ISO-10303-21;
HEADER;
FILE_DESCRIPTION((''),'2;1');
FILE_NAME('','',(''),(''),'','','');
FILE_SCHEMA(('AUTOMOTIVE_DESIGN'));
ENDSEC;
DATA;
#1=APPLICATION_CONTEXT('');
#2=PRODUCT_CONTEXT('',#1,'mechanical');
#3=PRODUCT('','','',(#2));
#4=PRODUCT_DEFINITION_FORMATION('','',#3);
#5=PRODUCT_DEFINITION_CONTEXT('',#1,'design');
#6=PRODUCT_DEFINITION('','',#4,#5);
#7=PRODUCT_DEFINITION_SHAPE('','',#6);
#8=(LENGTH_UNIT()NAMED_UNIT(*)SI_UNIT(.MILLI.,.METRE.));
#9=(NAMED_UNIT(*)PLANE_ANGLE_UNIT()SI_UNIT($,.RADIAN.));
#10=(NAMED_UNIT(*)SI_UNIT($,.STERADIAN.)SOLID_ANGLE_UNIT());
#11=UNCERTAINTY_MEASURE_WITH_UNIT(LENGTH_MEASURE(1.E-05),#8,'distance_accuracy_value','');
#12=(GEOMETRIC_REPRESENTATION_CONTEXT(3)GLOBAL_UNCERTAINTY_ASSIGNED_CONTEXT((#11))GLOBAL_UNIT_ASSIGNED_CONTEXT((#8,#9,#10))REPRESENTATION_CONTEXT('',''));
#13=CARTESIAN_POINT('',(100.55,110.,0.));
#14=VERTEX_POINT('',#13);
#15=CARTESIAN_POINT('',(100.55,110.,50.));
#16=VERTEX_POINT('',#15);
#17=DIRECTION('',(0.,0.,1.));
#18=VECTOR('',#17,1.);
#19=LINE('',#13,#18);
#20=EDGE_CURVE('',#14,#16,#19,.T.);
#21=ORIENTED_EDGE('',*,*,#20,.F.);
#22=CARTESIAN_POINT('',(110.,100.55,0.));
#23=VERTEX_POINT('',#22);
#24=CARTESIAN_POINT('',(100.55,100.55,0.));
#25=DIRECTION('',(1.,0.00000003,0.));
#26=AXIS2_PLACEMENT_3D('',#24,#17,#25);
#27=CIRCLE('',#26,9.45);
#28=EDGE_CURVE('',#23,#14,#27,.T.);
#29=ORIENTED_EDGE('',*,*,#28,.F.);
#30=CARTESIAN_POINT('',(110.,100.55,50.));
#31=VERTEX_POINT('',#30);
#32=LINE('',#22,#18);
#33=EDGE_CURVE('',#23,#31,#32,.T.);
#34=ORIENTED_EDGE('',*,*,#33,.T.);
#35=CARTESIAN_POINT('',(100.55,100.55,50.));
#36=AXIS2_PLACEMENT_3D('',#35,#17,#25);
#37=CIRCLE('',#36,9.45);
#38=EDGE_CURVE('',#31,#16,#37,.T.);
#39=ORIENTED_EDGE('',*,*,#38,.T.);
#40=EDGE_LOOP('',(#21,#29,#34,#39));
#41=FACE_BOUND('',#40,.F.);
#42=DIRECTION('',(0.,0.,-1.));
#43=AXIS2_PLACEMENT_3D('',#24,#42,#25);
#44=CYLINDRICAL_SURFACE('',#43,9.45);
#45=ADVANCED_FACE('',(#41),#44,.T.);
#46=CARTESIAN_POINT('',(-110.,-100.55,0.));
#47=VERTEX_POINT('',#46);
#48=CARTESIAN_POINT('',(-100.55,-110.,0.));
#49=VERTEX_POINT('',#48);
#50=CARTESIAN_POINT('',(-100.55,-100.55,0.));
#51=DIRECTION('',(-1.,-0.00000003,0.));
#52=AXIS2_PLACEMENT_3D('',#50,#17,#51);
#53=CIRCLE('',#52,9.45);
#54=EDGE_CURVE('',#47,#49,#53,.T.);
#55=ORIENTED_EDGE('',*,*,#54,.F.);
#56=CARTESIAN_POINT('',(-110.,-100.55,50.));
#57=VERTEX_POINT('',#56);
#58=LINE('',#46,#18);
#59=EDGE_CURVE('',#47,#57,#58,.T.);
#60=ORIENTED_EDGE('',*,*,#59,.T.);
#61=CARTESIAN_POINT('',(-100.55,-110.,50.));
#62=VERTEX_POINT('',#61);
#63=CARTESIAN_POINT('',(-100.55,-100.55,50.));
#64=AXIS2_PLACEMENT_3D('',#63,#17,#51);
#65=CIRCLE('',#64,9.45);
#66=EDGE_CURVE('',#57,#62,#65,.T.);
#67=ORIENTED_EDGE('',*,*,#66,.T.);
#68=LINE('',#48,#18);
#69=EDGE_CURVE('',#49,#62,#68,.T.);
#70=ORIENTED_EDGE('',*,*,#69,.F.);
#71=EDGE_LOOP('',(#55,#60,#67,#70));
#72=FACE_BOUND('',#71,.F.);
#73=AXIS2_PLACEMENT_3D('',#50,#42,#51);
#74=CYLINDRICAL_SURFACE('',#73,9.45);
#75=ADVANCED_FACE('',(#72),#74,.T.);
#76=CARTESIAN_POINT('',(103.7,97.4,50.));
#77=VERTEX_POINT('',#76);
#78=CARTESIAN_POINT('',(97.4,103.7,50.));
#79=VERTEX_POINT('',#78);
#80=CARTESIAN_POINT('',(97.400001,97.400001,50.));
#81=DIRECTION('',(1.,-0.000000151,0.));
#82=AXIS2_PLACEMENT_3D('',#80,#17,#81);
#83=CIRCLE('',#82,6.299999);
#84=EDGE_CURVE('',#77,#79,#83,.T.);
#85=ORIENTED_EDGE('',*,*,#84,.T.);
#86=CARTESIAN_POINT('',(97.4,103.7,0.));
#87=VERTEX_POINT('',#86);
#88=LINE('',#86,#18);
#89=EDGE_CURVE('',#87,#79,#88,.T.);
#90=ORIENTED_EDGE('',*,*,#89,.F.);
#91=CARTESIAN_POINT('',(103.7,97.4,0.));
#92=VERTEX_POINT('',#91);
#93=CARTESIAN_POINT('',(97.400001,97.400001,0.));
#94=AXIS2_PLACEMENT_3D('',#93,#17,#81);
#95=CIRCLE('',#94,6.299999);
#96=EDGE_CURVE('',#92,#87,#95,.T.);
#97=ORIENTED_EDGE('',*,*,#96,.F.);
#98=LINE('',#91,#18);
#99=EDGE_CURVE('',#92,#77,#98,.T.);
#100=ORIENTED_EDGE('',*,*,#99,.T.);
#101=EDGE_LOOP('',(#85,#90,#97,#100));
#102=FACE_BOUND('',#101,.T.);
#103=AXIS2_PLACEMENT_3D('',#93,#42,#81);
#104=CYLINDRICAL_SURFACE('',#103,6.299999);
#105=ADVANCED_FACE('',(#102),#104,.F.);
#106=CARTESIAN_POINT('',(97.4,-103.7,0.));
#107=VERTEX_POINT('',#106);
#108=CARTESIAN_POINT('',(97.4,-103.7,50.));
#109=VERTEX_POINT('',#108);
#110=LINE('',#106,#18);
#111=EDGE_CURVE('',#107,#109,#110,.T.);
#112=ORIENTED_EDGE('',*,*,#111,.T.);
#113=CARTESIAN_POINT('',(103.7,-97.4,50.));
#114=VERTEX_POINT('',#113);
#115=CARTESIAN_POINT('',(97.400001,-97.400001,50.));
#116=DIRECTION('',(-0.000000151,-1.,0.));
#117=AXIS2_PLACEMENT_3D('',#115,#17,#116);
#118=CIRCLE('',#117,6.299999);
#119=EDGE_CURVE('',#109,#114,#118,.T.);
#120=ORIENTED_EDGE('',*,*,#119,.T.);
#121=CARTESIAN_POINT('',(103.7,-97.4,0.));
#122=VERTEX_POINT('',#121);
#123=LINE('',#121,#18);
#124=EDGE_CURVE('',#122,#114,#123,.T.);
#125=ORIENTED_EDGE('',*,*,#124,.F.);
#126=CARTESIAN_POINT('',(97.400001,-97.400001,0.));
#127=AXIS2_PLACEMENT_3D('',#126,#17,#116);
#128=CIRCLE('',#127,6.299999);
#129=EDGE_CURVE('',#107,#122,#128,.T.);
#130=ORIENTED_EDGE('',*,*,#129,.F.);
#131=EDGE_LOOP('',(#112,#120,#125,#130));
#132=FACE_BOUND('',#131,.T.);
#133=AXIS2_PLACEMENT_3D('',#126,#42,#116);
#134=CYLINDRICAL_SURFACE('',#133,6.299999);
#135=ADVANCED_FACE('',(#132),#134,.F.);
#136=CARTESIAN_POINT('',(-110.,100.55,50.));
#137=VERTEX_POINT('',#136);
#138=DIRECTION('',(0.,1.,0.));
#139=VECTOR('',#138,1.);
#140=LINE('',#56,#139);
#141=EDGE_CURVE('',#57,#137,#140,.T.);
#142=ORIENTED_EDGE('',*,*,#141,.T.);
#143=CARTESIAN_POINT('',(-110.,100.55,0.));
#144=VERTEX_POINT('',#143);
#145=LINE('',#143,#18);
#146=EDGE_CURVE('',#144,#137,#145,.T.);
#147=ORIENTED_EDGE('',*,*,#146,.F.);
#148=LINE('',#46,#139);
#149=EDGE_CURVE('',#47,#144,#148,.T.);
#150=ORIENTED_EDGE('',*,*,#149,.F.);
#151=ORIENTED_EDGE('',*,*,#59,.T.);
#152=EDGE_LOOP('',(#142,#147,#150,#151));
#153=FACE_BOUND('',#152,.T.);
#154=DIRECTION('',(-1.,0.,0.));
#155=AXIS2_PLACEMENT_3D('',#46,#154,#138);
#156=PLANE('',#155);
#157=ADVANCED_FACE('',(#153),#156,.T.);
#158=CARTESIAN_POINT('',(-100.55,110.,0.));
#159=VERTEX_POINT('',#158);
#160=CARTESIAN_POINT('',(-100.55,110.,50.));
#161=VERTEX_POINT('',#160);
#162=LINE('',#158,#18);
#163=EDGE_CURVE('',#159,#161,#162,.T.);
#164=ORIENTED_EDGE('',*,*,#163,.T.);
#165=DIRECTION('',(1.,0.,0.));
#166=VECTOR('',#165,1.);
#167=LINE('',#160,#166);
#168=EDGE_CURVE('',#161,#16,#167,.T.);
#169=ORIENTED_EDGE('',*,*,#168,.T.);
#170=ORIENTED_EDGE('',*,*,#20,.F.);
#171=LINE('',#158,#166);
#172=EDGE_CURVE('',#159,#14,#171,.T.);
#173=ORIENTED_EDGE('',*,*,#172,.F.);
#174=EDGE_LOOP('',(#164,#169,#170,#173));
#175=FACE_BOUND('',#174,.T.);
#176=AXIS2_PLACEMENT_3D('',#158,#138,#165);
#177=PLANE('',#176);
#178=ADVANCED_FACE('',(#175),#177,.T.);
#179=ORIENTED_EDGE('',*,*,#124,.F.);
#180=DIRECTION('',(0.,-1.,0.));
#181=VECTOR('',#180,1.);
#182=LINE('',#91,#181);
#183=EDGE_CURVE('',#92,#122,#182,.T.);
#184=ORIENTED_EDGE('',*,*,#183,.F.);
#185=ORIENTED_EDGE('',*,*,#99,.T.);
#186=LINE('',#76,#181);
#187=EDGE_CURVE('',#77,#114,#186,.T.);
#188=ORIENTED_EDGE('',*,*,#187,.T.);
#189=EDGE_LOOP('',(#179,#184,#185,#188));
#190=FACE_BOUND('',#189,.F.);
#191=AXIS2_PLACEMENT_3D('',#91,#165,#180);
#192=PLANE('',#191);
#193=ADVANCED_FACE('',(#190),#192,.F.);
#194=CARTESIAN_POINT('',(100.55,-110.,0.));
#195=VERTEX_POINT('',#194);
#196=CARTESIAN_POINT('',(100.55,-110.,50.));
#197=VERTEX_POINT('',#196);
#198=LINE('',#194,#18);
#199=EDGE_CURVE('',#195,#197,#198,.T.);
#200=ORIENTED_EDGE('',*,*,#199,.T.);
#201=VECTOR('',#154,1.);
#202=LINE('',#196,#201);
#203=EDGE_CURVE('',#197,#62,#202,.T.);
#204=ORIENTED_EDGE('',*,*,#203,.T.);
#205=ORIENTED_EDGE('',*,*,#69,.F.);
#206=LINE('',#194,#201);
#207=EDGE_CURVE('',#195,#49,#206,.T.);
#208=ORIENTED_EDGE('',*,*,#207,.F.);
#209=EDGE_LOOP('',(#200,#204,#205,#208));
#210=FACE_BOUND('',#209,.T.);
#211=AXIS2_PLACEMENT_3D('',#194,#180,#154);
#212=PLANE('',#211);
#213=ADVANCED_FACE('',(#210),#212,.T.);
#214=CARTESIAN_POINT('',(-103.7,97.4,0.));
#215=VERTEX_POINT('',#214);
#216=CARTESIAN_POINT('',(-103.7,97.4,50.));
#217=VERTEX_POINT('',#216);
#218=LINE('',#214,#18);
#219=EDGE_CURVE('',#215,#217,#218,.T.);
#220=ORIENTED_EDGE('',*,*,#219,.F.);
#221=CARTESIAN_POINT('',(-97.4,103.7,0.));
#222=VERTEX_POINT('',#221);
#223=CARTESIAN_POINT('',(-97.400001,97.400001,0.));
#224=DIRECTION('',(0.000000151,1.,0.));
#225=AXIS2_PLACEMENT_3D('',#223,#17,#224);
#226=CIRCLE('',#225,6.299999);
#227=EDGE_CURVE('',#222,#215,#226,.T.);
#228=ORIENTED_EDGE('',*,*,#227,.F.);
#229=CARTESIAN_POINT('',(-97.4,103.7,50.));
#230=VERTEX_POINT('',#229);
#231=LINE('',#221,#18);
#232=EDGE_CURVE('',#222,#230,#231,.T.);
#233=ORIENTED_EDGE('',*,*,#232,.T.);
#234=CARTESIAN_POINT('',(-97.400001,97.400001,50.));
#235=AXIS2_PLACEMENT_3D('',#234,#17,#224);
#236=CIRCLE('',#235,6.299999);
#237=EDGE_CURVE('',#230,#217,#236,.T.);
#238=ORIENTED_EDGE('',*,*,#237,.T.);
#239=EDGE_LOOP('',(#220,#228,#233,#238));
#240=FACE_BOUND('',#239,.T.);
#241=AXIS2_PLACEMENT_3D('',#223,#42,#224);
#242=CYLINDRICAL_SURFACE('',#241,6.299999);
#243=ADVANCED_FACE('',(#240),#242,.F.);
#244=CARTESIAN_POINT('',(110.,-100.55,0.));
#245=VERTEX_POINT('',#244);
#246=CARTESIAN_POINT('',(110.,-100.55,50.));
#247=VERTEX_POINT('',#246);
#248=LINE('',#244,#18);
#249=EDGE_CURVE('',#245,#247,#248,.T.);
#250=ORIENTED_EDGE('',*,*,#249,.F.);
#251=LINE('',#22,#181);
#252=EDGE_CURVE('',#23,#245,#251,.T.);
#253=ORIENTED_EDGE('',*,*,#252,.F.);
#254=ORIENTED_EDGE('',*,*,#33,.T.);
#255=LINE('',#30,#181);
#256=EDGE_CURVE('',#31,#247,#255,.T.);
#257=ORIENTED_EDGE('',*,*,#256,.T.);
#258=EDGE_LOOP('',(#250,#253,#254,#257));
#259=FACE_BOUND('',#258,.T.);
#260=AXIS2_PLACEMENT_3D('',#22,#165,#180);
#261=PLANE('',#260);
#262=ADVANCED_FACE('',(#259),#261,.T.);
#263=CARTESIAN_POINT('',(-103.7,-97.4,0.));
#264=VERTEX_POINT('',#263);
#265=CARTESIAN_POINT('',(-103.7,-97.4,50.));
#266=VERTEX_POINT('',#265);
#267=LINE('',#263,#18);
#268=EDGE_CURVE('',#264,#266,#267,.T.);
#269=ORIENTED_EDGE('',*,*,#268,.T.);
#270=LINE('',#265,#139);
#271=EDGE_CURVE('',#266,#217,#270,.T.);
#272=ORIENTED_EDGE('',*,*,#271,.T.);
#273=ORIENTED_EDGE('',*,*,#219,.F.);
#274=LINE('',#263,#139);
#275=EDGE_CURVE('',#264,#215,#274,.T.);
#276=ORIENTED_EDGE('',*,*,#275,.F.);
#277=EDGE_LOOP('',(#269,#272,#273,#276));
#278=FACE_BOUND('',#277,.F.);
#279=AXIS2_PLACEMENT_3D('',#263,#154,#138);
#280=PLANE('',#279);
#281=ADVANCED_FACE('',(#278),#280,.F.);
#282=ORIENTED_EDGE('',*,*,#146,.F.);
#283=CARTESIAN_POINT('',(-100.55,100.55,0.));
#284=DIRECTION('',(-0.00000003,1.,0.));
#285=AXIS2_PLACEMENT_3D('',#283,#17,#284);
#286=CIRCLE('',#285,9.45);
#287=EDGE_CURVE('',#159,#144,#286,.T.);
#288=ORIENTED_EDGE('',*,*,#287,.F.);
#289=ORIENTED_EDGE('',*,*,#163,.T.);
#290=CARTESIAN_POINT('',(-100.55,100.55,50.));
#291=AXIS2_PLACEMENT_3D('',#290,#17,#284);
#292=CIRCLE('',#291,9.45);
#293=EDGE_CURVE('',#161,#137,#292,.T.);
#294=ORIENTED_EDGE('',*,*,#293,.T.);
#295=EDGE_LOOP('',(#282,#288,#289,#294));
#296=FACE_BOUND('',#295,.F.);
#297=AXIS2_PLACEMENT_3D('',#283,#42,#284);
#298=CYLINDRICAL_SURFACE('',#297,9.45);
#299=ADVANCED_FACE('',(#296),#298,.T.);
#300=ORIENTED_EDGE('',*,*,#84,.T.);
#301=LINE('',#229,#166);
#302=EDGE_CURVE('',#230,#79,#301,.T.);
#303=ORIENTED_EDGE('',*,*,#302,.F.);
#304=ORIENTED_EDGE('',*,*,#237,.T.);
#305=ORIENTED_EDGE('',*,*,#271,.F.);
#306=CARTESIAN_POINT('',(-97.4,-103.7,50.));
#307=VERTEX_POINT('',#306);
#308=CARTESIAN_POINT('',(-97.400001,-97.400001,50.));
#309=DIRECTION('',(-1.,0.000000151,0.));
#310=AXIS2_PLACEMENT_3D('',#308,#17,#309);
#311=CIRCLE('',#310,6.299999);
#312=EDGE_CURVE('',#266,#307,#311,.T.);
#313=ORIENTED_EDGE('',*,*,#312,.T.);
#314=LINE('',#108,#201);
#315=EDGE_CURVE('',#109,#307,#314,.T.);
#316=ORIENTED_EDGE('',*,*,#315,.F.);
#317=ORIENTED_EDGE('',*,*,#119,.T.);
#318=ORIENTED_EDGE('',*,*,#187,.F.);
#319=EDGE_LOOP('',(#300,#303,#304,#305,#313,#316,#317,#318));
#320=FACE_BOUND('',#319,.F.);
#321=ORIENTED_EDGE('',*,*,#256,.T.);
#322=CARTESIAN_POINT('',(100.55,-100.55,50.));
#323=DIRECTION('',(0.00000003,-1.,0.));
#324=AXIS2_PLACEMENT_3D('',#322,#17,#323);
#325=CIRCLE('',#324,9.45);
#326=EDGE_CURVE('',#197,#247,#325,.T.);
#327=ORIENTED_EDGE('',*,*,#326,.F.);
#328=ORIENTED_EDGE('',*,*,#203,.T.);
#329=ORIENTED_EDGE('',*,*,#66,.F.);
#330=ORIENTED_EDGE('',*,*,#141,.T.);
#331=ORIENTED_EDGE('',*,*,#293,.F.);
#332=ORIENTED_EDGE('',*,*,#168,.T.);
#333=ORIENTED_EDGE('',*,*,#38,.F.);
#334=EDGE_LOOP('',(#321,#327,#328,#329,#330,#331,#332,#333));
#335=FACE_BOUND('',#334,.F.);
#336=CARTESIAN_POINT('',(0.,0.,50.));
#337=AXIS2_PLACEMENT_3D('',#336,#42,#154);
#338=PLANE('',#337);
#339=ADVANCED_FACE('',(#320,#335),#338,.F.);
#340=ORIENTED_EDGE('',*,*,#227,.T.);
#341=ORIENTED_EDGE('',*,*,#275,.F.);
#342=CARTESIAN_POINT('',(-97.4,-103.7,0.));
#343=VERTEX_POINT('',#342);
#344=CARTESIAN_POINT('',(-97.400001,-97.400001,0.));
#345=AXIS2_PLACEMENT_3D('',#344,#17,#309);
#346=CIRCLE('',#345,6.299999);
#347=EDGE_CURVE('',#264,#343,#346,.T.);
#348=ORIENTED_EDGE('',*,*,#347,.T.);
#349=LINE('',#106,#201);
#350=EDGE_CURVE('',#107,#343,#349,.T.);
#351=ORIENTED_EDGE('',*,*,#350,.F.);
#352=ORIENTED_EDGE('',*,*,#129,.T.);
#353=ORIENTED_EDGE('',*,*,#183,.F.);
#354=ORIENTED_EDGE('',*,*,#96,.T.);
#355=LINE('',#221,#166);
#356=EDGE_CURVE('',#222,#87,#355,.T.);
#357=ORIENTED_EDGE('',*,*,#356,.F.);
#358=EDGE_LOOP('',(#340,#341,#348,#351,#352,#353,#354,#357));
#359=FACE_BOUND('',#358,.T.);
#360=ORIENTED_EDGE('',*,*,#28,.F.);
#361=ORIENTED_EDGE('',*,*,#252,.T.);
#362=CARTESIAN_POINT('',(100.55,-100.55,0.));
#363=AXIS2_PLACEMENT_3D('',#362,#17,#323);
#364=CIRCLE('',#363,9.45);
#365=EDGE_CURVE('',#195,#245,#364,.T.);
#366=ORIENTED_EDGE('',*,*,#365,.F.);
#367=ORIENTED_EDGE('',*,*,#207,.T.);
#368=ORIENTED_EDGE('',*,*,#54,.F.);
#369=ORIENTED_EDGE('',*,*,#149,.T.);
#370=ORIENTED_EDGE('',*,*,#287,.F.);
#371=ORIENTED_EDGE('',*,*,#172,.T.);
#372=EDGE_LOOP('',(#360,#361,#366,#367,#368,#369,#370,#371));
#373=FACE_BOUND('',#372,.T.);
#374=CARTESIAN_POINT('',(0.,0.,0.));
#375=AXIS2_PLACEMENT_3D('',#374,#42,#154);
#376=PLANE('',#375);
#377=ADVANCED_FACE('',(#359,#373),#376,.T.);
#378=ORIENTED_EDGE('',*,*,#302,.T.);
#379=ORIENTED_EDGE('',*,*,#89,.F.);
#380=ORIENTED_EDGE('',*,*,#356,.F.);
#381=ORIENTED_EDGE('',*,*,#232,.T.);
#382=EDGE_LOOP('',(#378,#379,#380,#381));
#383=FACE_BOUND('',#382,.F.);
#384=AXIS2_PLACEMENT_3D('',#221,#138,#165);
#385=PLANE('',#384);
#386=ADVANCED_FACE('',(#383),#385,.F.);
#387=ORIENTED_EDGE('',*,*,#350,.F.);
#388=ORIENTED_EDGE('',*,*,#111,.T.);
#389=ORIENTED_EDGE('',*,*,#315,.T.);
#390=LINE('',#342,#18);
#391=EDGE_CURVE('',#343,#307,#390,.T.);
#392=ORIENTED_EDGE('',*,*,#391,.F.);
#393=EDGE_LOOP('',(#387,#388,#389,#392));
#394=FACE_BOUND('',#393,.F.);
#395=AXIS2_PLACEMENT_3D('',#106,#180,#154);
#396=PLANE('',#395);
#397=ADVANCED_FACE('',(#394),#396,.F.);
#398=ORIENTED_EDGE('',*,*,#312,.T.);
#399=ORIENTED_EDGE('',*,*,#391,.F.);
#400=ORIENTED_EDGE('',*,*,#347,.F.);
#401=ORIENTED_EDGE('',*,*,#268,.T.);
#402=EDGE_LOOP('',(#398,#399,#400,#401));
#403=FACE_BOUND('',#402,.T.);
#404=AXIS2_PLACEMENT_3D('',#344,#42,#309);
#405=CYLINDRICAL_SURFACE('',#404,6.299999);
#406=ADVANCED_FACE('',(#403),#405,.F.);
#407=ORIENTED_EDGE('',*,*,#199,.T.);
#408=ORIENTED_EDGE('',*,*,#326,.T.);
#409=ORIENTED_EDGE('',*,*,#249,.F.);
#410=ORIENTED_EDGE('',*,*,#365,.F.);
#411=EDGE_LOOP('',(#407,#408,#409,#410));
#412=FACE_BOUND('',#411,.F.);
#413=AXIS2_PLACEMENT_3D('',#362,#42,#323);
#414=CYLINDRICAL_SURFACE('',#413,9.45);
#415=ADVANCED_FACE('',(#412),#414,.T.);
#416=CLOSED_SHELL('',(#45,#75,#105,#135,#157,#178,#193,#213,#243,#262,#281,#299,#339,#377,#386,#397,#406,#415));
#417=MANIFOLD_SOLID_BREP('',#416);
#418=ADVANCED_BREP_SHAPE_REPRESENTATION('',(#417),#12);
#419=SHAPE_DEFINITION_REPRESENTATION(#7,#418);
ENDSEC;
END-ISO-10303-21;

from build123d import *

# Parameters (mm, degrees)
EXTRUDE_DEPTH = 50


with BuildPart() as part:
    # Sketch → Extrude (new body)
    with BuildSketch(Plane.XY):
        with BuildLine():
            Line((-100.55, 110), (100.55, 110))
            ThreePointArc((110, 100.55), (107.232159, 107.232159), (100.55, 110))
            Line((110, 100.55), (110, -100.55))
            ThreePointArc((100.55, -110), (107.232159, -107.232159), (110, -100.55))
            Line((100.55, -110), (-100.55, -110))
            ThreePointArc((-110, -100.55), (-107.232159, -107.232159), (-100.55, -110))
            Line((-110, -100.55), (-110, 100.55))
            ThreePointArc((-100.55, 110), (-107.232159, 107.232159), (-110, 100.55))
        make_face()
        with BuildLine():
            Line((-97.4, 103.7), (97.4, 103.7))
            ThreePointArc((103.7, 97.4), (101.854773, 101.854773), (97.4, 103.7))
            Line((103.7, 97.4), (103.7, -97.4))
            ThreePointArc((97.4, -103.7), (101.854773, -101.854773), (103.7, -97.4))
            Line((97.4, -103.7), (-97.4, -103.7))
            ThreePointArc((-103.7, -97.4), (-101.854773, -101.854773), (-97.4, -103.7))
            Line((-103.7, -97.4), (-103.7, 97.4))
            ThreePointArc((-97.4, 103.7), (-101.854773, 101.854773), (-103.7, 97.4))
        make_face(mode=Mode.SUBTRACT)
    extrude(amount=EXTRUDE_DEPTH)


solid = part.part
